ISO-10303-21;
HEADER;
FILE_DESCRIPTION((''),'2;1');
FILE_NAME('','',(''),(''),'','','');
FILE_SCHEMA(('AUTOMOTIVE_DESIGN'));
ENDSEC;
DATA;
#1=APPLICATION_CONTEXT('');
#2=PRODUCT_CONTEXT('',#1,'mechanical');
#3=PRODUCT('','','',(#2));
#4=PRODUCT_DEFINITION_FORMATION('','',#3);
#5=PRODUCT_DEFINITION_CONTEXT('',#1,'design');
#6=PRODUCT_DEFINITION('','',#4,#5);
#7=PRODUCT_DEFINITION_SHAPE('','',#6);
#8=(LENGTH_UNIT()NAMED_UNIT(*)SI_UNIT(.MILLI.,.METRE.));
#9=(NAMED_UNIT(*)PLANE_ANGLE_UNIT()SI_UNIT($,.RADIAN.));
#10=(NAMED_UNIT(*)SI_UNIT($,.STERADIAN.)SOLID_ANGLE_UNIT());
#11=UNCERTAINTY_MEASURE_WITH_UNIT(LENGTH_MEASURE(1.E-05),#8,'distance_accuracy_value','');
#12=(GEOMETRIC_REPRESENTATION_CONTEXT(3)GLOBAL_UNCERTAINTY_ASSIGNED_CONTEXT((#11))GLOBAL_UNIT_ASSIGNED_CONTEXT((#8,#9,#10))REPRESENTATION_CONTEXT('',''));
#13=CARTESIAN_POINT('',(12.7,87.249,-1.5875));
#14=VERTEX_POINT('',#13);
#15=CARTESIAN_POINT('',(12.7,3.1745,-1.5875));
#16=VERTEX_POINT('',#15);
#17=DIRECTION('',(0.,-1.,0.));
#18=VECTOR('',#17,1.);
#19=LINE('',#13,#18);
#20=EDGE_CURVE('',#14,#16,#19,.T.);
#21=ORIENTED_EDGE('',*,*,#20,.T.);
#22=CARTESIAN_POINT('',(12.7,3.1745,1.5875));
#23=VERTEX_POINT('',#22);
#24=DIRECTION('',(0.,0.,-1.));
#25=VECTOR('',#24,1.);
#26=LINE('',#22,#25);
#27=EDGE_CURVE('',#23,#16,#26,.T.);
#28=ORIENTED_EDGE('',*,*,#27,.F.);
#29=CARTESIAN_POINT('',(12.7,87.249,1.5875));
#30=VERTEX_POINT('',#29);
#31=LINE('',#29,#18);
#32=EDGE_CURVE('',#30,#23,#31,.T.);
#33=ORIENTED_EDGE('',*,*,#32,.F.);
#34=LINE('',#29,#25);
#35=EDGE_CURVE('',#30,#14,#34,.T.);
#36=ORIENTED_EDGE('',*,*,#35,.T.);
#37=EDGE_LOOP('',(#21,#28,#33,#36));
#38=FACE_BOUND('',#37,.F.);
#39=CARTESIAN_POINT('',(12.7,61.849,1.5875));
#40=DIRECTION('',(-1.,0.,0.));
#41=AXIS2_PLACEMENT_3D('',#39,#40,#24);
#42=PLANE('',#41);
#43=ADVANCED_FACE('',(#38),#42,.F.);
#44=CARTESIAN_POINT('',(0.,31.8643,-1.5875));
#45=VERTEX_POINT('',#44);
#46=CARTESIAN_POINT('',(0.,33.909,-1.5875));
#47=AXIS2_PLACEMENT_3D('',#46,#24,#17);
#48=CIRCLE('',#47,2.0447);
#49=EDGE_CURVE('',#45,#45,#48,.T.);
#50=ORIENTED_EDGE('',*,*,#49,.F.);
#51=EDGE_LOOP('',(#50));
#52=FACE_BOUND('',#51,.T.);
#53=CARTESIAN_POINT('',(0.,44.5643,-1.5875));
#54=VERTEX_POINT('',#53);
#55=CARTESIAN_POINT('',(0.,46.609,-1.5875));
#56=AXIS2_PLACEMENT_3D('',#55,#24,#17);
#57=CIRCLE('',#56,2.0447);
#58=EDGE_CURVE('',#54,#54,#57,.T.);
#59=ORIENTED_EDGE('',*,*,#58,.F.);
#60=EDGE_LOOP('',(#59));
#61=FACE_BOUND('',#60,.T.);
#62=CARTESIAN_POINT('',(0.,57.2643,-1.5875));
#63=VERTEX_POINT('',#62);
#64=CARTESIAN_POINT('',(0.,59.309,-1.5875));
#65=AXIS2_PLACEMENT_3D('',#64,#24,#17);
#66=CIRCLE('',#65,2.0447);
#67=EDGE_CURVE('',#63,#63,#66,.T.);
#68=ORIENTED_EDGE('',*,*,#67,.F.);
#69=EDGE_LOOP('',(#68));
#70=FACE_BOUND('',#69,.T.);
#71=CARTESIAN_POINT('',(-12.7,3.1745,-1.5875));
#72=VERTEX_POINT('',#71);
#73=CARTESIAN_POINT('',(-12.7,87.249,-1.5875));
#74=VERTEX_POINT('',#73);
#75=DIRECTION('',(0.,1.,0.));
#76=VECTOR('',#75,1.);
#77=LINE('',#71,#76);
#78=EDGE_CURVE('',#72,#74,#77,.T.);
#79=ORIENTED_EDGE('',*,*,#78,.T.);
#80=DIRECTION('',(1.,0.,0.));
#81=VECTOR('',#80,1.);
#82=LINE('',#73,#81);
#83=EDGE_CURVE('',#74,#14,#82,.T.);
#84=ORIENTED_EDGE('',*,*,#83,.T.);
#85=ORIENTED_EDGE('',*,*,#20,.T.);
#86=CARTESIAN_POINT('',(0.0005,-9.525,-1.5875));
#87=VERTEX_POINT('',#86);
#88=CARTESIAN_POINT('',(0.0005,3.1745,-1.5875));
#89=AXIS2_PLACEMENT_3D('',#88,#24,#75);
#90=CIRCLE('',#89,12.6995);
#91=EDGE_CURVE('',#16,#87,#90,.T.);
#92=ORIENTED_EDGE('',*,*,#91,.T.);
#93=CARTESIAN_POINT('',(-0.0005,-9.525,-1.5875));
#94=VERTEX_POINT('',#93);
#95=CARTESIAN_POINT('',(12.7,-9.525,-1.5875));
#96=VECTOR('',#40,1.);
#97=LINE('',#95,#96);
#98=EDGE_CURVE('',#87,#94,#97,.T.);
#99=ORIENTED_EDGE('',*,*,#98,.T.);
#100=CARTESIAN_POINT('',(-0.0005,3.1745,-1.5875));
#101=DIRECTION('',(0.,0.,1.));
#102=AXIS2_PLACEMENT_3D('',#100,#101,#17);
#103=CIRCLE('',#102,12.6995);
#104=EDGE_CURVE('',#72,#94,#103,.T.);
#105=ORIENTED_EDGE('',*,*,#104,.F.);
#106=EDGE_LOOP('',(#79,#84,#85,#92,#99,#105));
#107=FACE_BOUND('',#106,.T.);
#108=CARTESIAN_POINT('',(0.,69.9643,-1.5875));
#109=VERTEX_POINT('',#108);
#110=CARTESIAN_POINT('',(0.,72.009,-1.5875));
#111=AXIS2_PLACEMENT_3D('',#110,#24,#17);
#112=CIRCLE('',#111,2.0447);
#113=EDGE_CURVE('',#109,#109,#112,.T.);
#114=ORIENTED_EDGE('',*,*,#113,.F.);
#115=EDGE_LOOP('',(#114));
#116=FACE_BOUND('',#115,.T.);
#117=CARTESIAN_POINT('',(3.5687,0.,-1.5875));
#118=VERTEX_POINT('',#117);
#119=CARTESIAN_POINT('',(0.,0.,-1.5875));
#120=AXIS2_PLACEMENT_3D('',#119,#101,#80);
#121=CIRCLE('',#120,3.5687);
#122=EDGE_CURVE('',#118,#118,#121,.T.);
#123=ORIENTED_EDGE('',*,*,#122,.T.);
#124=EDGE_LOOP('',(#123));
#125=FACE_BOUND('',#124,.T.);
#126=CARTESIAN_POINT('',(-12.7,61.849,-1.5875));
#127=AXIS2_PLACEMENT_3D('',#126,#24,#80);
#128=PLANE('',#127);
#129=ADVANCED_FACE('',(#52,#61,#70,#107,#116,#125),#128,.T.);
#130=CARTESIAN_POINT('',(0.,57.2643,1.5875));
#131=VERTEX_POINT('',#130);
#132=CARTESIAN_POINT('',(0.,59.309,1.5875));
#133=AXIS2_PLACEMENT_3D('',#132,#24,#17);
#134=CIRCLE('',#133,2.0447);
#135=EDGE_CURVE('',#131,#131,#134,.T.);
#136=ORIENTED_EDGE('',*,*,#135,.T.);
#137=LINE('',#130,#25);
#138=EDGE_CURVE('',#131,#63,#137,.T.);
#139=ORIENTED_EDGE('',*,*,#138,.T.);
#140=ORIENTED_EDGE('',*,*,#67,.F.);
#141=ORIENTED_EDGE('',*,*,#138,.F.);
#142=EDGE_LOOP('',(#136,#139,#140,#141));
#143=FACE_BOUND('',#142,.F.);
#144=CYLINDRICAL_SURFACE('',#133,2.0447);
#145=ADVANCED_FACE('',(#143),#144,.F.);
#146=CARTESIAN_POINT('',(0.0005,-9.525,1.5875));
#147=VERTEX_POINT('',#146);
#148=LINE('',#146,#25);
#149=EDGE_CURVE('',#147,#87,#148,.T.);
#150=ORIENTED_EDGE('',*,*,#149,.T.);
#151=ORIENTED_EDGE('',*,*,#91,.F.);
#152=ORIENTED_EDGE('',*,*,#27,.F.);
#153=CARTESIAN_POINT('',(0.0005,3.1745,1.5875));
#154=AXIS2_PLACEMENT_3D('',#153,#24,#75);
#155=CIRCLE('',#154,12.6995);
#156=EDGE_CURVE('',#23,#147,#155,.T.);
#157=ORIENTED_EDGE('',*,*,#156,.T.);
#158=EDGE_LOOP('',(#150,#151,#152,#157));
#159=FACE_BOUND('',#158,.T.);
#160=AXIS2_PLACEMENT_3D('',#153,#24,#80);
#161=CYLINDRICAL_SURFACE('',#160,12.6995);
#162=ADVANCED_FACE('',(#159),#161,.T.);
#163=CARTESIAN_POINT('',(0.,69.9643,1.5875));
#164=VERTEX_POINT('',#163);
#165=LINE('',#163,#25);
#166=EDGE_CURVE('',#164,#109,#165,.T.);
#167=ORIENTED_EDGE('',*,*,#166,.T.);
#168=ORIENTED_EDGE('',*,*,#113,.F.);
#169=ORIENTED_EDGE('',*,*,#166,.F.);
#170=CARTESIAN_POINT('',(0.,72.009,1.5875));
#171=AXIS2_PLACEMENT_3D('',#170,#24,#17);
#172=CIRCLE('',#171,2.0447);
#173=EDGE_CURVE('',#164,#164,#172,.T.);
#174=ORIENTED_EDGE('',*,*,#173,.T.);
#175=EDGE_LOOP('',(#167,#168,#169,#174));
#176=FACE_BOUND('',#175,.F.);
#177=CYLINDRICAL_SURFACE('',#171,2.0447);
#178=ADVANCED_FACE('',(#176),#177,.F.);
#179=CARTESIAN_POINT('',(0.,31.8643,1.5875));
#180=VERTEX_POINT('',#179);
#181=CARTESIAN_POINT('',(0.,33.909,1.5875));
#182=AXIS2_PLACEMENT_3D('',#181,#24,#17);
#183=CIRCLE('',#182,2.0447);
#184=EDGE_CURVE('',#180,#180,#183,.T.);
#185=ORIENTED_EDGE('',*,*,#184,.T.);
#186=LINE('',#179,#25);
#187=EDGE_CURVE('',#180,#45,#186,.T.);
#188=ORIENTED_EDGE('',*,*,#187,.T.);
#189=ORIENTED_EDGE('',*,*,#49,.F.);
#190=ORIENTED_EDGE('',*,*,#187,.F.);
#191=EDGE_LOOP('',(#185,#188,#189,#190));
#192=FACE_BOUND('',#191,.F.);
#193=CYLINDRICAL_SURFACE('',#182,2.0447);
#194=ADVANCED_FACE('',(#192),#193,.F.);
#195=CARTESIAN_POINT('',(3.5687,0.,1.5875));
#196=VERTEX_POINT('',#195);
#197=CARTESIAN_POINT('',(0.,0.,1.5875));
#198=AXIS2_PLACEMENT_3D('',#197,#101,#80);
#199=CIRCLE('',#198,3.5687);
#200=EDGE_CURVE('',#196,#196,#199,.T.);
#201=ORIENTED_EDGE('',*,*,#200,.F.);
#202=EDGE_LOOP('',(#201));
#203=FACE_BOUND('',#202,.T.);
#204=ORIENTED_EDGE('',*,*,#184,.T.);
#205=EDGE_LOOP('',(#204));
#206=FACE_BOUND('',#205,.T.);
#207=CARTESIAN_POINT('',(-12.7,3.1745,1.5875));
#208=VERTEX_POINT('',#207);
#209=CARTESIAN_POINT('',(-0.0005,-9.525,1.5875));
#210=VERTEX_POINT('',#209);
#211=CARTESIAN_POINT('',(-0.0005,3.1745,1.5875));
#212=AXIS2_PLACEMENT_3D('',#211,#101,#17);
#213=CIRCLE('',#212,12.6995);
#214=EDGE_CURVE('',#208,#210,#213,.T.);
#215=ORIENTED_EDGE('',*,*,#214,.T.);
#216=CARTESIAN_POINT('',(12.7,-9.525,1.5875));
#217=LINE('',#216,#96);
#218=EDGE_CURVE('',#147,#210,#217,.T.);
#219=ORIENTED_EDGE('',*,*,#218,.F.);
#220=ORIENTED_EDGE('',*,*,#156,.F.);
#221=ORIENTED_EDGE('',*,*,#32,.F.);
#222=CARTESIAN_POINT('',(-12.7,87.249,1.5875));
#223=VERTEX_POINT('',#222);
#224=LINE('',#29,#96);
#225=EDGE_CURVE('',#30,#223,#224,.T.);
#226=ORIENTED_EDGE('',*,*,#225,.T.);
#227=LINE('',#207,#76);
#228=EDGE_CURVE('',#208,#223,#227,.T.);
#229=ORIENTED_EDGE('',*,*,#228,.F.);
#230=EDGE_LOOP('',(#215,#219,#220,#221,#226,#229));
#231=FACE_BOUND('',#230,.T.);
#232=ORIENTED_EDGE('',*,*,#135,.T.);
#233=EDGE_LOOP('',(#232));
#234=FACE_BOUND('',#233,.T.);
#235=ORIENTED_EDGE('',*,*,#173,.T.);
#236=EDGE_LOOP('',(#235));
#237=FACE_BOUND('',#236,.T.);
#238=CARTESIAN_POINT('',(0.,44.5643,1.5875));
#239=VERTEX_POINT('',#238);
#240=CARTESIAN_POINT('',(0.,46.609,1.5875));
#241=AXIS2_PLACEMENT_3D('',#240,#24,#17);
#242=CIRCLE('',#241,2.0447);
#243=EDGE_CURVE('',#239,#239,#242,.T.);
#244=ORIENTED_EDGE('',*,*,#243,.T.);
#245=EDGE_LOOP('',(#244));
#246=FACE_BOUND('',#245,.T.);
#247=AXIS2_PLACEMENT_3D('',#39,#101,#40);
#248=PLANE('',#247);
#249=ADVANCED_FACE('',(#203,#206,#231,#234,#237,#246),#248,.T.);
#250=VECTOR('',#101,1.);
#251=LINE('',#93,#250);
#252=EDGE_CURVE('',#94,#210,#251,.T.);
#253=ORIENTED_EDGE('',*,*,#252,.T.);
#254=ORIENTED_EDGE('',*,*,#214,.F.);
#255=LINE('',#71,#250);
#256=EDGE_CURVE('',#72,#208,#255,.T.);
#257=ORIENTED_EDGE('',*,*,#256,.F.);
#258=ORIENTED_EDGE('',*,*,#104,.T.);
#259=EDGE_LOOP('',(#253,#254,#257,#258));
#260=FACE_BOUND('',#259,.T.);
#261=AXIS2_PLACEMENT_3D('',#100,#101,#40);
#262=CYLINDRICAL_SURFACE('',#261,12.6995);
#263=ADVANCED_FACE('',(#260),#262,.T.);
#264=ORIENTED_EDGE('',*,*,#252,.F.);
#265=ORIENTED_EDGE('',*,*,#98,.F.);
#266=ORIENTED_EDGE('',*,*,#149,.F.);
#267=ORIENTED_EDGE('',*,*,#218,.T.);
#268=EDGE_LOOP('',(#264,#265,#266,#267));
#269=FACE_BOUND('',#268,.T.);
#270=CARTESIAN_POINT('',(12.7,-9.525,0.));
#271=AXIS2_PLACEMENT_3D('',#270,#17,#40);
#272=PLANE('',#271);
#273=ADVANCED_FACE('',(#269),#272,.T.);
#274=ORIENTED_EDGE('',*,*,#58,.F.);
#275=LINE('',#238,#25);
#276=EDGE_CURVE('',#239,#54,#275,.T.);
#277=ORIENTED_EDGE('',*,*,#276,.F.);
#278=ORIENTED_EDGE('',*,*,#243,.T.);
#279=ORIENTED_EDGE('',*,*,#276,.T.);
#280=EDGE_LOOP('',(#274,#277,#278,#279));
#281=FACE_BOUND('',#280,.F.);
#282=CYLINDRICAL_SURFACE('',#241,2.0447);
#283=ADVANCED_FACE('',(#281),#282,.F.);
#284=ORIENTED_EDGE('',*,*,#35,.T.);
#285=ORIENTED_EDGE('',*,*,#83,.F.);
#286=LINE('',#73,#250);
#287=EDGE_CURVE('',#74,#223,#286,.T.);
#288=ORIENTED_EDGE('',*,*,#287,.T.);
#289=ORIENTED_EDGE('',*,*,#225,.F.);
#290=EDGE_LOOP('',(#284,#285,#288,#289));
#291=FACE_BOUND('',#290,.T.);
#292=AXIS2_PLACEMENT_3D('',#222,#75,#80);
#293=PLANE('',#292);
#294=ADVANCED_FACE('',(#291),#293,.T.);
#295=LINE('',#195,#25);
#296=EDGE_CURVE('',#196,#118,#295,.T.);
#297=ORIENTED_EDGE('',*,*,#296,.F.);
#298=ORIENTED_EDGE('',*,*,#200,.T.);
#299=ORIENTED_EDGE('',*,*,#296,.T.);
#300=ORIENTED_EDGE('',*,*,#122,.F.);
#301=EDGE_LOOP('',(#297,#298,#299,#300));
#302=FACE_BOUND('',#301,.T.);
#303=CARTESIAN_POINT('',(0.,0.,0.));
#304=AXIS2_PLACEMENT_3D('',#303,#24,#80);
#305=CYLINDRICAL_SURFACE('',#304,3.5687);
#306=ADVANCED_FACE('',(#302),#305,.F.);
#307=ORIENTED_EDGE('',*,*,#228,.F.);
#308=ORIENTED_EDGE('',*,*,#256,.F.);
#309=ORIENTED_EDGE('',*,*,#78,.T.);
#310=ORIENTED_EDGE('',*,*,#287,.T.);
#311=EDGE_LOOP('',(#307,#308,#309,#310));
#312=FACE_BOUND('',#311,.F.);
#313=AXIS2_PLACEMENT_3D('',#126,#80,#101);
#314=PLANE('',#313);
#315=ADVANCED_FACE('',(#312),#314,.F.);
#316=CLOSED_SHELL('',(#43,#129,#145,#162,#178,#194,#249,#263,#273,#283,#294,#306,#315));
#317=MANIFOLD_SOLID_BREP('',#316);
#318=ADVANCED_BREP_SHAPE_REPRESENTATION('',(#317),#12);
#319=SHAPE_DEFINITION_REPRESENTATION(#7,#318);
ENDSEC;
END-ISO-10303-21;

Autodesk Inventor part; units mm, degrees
ref_plane "YZ Plane" through (0, 0, 0) normal (1, 0, 0) x (0, 1, 0)
ref_plane "XZ Plane" through (0, 0, 0) normal (0, 1, 0) x (-1, 0, 0)
ref_plane "XY Plane" through (0, 0, 0) normal (0, 0, 1) x (1, 0, 0)
sketch "Sketch1" plane through (0, 0, 0) normal (0, 0, 1) x (1, 0, 0)
  circle A0 centre (0, 0) radius 3.5687
  line L0 (-12.7, 61.849) -> (12.7, 61.849)
  line L1 (12.7, 61.849) -> (12.7, -9.525)
  line L2 (12.7, -9.525) -> (-12.7, -9.525)
  line L3 (-12.7, -9.525) -> (-12.7, 61.849)
  dimension "d0" = 7.1374
  dimension "d1" = 12.7
  dimension "d2" = 25.4
  dimension "d3" = 9.525
  dimension "d4" = 71.374
extrude "Extrusion1" add sketch "Sketch1" along normal mid plane 3.175
sketch "Sketch2" plane through (0, 0, 1.5875) normal (0, 0, 1) x (1, 0, 0)
  line L0 (-12.7, -9.525) -> (12.7, -9.525) projected
  point P0 (0, 46.609)
  point P1 (0, 33.909)
  point P2 (0, 59.309)
  point P3 (0, 72.009)
  dimension "d8" = 12.7
  dimension "d20" = 12.7
  dimension "d30" = 12.7
  dimension "d31" = 43.434
hole "Hole1" at (0, 46.609, 1.5875) at (0, 33.909, 1.5875) direction (0, 0, -1) diameter 4.0894 end through all
fillet "Fillet2" radius 12.7 2 edges at (12.7, -9.525, 0) (-12.7, -9.525, 0)
sketch "Sketch3" plane through (-12.7, 61.849, 1.5875) normal (0, 1, 0) x (1, 0, 0)
  line L0 (0, 3.175) -> (0, 0) projected
  line L1 (25.4, 0) -> (0, 0) projected
  line L2 (25.4, 0) -> (25.4, 3.175) projected
  line L3 (0, 3.175) -> (25.4, 3.175) projected
  point P0 (12.7, 1.5875)
extrude "Extrusion2" add sketch "Sketch3" along normal blind 25.4
hole "Hole2" at (0, 59.309, 1.5875) at (0, 72.009, 1.5875) direction (0, 0, -1) diameter 4.0894 end through all
properties part number "C18_TK_ClimberingSupportGusset" material "Aluminum 6061"
